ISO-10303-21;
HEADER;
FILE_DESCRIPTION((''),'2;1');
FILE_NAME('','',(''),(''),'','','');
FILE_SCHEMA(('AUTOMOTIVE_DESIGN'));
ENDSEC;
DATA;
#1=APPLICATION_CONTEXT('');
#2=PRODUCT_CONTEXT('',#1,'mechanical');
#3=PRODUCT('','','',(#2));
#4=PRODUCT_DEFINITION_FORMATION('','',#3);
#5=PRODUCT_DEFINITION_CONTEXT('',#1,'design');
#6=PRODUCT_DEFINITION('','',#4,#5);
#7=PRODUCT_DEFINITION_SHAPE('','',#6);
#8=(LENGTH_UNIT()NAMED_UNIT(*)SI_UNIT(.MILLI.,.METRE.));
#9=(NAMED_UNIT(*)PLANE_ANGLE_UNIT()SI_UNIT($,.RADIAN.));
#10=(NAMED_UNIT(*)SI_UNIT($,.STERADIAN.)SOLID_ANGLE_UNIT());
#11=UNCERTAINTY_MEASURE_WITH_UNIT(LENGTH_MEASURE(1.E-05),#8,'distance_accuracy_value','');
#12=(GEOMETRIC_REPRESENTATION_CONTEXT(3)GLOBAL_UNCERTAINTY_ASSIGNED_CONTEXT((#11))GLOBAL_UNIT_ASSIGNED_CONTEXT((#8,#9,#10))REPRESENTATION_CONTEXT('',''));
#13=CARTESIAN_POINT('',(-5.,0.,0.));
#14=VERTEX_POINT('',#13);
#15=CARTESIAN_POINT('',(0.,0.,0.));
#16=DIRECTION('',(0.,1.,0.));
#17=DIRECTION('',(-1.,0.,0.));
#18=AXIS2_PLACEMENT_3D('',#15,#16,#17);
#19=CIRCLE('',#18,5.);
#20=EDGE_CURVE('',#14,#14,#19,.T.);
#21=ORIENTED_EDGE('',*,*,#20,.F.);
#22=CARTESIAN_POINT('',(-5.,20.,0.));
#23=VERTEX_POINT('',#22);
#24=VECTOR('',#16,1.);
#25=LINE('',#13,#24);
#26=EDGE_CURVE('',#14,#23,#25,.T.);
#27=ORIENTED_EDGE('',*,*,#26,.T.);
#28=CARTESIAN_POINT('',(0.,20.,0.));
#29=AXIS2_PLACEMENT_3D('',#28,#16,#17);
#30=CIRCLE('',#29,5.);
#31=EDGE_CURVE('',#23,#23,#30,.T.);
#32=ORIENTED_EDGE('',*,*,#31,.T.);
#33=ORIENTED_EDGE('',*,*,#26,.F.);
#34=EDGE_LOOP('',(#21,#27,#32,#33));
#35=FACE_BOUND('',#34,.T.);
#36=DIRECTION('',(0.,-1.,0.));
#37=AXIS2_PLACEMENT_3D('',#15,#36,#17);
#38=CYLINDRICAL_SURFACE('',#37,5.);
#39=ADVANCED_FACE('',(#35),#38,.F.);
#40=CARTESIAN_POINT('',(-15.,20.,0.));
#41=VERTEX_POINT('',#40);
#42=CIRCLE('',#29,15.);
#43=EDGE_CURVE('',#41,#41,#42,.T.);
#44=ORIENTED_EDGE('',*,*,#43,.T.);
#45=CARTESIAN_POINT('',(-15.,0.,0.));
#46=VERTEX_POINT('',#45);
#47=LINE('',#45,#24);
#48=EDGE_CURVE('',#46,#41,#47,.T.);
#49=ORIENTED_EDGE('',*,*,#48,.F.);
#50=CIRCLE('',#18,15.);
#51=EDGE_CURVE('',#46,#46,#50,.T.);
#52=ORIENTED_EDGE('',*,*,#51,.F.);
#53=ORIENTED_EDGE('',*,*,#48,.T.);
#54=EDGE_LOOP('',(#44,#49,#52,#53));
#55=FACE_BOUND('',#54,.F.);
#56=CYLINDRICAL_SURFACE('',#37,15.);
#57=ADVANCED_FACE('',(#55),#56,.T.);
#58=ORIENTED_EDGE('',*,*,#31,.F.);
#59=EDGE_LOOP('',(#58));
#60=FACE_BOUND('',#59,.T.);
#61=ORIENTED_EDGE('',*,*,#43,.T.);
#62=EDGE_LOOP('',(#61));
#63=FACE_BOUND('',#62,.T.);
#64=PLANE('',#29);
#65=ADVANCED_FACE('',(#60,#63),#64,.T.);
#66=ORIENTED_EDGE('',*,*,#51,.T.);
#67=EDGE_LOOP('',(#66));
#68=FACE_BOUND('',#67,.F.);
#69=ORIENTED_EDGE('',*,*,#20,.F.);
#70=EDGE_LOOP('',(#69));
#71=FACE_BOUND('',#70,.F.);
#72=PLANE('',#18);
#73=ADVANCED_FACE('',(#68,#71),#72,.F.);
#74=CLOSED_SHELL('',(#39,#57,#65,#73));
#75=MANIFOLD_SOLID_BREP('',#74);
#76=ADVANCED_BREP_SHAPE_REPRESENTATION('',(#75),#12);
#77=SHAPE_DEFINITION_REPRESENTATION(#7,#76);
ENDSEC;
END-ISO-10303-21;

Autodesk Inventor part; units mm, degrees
ref_plane "YZ Plane" through (0, 0, 0) normal (1, 0, 0) x (0, 1, 0)
ref_plane "XZ Plane" through (0, 0, 0) normal (0, 1, 0) x (-1, 0, 0)
ref_plane "XY Plane" through (0, 0, 0) normal (0, 0, 1) x (1, 0, 0)
sketch "スケッチ1" plane through (0, 0, 0) normal (0, 1, 0) x (-1, 0, 0)
  circle A0 centre (0, 0) radius 15
  circle A1 centre (0, 0) radius 5
  dimension "d0" = 30
  dimension "d1" = 10
extrude "押し出し1" add sketch "スケッチ1" along normal blind 20
equation "\"BendRadius\" = Thickness"
equation "\"BendReliefWidth\" = Thickness"
equation "\"BendReliefDepth\" = 0.5 * Thickness"
equation "\"CornerReliefSize\" = 4 * Thickness"
equation "\"MinimumRemnant\" = 2 * Thickness"
equation "\"TransitionRadius\" = BendRadius"
equation "\"JacobiRadiusSize\" = BendRadius"
equation "\"GapSize\" = Thickness"
equation "\"Thickness\" = 0.5"
